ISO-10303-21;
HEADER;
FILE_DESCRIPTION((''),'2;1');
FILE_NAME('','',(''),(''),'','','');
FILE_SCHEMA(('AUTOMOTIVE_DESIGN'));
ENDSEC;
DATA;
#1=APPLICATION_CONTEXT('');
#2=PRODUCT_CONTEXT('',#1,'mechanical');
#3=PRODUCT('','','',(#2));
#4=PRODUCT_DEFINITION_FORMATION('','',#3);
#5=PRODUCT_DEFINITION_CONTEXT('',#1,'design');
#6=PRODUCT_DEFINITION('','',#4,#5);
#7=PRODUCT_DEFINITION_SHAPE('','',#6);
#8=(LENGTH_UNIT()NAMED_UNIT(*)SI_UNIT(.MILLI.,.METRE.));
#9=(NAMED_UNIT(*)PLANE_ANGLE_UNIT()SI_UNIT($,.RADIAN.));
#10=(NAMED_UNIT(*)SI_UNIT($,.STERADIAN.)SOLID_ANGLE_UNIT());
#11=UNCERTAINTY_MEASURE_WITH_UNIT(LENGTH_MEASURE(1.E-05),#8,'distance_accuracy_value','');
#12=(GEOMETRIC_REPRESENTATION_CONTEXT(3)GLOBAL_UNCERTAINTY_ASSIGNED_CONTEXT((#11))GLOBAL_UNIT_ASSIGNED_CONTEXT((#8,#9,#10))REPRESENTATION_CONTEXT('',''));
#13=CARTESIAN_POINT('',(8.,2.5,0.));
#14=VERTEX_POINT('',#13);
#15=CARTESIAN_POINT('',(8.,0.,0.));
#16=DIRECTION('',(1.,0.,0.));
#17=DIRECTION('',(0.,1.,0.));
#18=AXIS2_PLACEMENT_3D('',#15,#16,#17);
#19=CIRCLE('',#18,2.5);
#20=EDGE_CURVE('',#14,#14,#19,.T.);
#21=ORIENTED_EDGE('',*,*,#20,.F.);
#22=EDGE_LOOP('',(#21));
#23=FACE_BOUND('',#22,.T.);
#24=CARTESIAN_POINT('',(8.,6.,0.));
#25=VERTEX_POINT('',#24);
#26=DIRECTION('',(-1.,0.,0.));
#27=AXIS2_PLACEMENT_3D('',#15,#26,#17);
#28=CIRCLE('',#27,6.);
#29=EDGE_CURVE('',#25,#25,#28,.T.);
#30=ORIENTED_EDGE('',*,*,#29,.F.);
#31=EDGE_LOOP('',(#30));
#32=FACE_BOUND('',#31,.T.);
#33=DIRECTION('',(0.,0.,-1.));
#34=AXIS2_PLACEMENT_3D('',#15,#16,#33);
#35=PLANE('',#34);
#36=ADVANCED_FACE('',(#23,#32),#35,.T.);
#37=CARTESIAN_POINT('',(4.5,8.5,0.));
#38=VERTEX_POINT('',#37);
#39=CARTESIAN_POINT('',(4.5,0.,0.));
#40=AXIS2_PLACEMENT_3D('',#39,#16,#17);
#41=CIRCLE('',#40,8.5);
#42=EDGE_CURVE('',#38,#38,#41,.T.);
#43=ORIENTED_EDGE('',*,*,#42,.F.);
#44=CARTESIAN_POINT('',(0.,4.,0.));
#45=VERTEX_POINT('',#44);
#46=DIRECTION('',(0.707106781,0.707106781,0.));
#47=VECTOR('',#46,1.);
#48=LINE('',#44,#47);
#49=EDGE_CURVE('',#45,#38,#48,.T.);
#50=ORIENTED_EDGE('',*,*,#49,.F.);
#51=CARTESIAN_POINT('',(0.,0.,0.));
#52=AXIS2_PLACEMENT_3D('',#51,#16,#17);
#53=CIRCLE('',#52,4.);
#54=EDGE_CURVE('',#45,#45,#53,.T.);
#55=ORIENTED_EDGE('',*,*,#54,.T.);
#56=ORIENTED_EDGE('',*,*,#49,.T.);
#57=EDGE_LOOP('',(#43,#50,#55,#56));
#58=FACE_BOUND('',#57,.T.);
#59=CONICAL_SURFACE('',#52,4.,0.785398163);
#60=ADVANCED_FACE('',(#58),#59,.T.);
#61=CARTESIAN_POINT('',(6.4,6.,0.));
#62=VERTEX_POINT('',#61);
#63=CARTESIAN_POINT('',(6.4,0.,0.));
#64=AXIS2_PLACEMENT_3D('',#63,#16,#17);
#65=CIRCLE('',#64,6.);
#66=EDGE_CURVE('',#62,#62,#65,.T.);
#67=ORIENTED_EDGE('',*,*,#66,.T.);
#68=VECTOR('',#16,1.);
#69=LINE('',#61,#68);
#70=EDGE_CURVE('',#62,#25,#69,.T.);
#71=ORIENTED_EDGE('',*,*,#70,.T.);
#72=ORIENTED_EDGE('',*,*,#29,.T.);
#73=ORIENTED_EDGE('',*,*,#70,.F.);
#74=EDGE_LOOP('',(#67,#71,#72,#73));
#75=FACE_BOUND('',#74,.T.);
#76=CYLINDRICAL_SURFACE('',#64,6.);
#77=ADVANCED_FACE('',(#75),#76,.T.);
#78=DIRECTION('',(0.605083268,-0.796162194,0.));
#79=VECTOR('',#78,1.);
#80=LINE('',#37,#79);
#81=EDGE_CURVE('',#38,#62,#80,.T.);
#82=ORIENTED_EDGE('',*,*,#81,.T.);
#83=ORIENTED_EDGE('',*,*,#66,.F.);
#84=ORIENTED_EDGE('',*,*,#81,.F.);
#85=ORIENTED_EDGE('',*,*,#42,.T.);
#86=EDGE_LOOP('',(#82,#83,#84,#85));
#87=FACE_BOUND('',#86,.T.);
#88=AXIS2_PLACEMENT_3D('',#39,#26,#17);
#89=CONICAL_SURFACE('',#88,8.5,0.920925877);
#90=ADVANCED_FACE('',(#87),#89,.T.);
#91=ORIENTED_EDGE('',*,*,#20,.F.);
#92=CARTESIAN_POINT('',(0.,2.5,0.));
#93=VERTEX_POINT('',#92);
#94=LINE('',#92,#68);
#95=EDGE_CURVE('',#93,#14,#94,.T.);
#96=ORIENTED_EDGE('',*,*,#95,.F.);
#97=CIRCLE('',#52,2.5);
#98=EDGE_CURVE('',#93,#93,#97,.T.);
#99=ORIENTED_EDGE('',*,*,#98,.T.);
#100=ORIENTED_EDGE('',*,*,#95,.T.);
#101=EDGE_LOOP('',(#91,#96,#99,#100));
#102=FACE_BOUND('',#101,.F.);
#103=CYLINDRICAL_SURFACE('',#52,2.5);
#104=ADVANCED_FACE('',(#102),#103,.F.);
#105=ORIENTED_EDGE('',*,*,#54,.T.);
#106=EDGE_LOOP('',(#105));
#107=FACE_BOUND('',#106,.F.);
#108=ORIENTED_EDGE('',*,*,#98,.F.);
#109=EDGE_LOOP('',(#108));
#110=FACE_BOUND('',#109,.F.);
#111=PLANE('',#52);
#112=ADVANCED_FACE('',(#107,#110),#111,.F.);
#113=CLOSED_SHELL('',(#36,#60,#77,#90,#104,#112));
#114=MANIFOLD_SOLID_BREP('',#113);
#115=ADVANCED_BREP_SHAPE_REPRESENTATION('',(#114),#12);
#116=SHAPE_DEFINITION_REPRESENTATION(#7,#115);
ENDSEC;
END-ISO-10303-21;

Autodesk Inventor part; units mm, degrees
ref_plane "YZ Plane" through (0, 0, 0) normal (1, 0, 0) x (0, 1, 0)
ref_plane "XZ Plane" through (0, 0, 0) normal (0, 1, 0) x (-1, 0, 0)
ref_plane "XY Plane" through (0, 0, 0) normal (0, 0, 1) x (1, 0, 0)
sketch "Sketch1" plane through (0, 0, 0) normal (0, 0, 1) x (1, 0, 0)
  line L0 (0, 4) -> (4.5, 8.5)
  line L1 (4.5, 8.5) -> (6.4, 6)
  line L2 (6.4, 6) -> (14.4, 6)
  line L3 (14.4, 6) -> (14.4, 0)
  line L4 (14.4, 0) -> (0, 0)
  line L5 (-2.988, 0) -> (27.6356, 0) construction
  line L6 (0, 4) -> (0, 0)
  line L7 (0, 2.5) -> (14.4, 2.5)
  dimension "d0" = 17
  dimension "d1" = 45
  dimension "d2" = 90
  dimension "d3" = 8
  dimension "d5" = 12
  dimension "d6" = 14.4
  dimension "d7" = 5
  dimension "d9" = 8
revolve "Revolution1" add sketch "Sketch1" angle 360 about axis through (-2.988, 0, 0) along (1, 0, 0) contours L0 L1 L2 L3 L7 L6
sketch "Sketch2" plane through (14.4, 0, 0) normal (1, 0, 0) x (0, 0, -1)
  circle A0 centre (0, 0) radius 2.5 projected
  circle A1 centre (0, 0) radius 6 projected
extrude "Extrusion1" cut sketch "Sketch2" against normal blind 6.4
properties part number "P08" material "Acetal Resin, White"
